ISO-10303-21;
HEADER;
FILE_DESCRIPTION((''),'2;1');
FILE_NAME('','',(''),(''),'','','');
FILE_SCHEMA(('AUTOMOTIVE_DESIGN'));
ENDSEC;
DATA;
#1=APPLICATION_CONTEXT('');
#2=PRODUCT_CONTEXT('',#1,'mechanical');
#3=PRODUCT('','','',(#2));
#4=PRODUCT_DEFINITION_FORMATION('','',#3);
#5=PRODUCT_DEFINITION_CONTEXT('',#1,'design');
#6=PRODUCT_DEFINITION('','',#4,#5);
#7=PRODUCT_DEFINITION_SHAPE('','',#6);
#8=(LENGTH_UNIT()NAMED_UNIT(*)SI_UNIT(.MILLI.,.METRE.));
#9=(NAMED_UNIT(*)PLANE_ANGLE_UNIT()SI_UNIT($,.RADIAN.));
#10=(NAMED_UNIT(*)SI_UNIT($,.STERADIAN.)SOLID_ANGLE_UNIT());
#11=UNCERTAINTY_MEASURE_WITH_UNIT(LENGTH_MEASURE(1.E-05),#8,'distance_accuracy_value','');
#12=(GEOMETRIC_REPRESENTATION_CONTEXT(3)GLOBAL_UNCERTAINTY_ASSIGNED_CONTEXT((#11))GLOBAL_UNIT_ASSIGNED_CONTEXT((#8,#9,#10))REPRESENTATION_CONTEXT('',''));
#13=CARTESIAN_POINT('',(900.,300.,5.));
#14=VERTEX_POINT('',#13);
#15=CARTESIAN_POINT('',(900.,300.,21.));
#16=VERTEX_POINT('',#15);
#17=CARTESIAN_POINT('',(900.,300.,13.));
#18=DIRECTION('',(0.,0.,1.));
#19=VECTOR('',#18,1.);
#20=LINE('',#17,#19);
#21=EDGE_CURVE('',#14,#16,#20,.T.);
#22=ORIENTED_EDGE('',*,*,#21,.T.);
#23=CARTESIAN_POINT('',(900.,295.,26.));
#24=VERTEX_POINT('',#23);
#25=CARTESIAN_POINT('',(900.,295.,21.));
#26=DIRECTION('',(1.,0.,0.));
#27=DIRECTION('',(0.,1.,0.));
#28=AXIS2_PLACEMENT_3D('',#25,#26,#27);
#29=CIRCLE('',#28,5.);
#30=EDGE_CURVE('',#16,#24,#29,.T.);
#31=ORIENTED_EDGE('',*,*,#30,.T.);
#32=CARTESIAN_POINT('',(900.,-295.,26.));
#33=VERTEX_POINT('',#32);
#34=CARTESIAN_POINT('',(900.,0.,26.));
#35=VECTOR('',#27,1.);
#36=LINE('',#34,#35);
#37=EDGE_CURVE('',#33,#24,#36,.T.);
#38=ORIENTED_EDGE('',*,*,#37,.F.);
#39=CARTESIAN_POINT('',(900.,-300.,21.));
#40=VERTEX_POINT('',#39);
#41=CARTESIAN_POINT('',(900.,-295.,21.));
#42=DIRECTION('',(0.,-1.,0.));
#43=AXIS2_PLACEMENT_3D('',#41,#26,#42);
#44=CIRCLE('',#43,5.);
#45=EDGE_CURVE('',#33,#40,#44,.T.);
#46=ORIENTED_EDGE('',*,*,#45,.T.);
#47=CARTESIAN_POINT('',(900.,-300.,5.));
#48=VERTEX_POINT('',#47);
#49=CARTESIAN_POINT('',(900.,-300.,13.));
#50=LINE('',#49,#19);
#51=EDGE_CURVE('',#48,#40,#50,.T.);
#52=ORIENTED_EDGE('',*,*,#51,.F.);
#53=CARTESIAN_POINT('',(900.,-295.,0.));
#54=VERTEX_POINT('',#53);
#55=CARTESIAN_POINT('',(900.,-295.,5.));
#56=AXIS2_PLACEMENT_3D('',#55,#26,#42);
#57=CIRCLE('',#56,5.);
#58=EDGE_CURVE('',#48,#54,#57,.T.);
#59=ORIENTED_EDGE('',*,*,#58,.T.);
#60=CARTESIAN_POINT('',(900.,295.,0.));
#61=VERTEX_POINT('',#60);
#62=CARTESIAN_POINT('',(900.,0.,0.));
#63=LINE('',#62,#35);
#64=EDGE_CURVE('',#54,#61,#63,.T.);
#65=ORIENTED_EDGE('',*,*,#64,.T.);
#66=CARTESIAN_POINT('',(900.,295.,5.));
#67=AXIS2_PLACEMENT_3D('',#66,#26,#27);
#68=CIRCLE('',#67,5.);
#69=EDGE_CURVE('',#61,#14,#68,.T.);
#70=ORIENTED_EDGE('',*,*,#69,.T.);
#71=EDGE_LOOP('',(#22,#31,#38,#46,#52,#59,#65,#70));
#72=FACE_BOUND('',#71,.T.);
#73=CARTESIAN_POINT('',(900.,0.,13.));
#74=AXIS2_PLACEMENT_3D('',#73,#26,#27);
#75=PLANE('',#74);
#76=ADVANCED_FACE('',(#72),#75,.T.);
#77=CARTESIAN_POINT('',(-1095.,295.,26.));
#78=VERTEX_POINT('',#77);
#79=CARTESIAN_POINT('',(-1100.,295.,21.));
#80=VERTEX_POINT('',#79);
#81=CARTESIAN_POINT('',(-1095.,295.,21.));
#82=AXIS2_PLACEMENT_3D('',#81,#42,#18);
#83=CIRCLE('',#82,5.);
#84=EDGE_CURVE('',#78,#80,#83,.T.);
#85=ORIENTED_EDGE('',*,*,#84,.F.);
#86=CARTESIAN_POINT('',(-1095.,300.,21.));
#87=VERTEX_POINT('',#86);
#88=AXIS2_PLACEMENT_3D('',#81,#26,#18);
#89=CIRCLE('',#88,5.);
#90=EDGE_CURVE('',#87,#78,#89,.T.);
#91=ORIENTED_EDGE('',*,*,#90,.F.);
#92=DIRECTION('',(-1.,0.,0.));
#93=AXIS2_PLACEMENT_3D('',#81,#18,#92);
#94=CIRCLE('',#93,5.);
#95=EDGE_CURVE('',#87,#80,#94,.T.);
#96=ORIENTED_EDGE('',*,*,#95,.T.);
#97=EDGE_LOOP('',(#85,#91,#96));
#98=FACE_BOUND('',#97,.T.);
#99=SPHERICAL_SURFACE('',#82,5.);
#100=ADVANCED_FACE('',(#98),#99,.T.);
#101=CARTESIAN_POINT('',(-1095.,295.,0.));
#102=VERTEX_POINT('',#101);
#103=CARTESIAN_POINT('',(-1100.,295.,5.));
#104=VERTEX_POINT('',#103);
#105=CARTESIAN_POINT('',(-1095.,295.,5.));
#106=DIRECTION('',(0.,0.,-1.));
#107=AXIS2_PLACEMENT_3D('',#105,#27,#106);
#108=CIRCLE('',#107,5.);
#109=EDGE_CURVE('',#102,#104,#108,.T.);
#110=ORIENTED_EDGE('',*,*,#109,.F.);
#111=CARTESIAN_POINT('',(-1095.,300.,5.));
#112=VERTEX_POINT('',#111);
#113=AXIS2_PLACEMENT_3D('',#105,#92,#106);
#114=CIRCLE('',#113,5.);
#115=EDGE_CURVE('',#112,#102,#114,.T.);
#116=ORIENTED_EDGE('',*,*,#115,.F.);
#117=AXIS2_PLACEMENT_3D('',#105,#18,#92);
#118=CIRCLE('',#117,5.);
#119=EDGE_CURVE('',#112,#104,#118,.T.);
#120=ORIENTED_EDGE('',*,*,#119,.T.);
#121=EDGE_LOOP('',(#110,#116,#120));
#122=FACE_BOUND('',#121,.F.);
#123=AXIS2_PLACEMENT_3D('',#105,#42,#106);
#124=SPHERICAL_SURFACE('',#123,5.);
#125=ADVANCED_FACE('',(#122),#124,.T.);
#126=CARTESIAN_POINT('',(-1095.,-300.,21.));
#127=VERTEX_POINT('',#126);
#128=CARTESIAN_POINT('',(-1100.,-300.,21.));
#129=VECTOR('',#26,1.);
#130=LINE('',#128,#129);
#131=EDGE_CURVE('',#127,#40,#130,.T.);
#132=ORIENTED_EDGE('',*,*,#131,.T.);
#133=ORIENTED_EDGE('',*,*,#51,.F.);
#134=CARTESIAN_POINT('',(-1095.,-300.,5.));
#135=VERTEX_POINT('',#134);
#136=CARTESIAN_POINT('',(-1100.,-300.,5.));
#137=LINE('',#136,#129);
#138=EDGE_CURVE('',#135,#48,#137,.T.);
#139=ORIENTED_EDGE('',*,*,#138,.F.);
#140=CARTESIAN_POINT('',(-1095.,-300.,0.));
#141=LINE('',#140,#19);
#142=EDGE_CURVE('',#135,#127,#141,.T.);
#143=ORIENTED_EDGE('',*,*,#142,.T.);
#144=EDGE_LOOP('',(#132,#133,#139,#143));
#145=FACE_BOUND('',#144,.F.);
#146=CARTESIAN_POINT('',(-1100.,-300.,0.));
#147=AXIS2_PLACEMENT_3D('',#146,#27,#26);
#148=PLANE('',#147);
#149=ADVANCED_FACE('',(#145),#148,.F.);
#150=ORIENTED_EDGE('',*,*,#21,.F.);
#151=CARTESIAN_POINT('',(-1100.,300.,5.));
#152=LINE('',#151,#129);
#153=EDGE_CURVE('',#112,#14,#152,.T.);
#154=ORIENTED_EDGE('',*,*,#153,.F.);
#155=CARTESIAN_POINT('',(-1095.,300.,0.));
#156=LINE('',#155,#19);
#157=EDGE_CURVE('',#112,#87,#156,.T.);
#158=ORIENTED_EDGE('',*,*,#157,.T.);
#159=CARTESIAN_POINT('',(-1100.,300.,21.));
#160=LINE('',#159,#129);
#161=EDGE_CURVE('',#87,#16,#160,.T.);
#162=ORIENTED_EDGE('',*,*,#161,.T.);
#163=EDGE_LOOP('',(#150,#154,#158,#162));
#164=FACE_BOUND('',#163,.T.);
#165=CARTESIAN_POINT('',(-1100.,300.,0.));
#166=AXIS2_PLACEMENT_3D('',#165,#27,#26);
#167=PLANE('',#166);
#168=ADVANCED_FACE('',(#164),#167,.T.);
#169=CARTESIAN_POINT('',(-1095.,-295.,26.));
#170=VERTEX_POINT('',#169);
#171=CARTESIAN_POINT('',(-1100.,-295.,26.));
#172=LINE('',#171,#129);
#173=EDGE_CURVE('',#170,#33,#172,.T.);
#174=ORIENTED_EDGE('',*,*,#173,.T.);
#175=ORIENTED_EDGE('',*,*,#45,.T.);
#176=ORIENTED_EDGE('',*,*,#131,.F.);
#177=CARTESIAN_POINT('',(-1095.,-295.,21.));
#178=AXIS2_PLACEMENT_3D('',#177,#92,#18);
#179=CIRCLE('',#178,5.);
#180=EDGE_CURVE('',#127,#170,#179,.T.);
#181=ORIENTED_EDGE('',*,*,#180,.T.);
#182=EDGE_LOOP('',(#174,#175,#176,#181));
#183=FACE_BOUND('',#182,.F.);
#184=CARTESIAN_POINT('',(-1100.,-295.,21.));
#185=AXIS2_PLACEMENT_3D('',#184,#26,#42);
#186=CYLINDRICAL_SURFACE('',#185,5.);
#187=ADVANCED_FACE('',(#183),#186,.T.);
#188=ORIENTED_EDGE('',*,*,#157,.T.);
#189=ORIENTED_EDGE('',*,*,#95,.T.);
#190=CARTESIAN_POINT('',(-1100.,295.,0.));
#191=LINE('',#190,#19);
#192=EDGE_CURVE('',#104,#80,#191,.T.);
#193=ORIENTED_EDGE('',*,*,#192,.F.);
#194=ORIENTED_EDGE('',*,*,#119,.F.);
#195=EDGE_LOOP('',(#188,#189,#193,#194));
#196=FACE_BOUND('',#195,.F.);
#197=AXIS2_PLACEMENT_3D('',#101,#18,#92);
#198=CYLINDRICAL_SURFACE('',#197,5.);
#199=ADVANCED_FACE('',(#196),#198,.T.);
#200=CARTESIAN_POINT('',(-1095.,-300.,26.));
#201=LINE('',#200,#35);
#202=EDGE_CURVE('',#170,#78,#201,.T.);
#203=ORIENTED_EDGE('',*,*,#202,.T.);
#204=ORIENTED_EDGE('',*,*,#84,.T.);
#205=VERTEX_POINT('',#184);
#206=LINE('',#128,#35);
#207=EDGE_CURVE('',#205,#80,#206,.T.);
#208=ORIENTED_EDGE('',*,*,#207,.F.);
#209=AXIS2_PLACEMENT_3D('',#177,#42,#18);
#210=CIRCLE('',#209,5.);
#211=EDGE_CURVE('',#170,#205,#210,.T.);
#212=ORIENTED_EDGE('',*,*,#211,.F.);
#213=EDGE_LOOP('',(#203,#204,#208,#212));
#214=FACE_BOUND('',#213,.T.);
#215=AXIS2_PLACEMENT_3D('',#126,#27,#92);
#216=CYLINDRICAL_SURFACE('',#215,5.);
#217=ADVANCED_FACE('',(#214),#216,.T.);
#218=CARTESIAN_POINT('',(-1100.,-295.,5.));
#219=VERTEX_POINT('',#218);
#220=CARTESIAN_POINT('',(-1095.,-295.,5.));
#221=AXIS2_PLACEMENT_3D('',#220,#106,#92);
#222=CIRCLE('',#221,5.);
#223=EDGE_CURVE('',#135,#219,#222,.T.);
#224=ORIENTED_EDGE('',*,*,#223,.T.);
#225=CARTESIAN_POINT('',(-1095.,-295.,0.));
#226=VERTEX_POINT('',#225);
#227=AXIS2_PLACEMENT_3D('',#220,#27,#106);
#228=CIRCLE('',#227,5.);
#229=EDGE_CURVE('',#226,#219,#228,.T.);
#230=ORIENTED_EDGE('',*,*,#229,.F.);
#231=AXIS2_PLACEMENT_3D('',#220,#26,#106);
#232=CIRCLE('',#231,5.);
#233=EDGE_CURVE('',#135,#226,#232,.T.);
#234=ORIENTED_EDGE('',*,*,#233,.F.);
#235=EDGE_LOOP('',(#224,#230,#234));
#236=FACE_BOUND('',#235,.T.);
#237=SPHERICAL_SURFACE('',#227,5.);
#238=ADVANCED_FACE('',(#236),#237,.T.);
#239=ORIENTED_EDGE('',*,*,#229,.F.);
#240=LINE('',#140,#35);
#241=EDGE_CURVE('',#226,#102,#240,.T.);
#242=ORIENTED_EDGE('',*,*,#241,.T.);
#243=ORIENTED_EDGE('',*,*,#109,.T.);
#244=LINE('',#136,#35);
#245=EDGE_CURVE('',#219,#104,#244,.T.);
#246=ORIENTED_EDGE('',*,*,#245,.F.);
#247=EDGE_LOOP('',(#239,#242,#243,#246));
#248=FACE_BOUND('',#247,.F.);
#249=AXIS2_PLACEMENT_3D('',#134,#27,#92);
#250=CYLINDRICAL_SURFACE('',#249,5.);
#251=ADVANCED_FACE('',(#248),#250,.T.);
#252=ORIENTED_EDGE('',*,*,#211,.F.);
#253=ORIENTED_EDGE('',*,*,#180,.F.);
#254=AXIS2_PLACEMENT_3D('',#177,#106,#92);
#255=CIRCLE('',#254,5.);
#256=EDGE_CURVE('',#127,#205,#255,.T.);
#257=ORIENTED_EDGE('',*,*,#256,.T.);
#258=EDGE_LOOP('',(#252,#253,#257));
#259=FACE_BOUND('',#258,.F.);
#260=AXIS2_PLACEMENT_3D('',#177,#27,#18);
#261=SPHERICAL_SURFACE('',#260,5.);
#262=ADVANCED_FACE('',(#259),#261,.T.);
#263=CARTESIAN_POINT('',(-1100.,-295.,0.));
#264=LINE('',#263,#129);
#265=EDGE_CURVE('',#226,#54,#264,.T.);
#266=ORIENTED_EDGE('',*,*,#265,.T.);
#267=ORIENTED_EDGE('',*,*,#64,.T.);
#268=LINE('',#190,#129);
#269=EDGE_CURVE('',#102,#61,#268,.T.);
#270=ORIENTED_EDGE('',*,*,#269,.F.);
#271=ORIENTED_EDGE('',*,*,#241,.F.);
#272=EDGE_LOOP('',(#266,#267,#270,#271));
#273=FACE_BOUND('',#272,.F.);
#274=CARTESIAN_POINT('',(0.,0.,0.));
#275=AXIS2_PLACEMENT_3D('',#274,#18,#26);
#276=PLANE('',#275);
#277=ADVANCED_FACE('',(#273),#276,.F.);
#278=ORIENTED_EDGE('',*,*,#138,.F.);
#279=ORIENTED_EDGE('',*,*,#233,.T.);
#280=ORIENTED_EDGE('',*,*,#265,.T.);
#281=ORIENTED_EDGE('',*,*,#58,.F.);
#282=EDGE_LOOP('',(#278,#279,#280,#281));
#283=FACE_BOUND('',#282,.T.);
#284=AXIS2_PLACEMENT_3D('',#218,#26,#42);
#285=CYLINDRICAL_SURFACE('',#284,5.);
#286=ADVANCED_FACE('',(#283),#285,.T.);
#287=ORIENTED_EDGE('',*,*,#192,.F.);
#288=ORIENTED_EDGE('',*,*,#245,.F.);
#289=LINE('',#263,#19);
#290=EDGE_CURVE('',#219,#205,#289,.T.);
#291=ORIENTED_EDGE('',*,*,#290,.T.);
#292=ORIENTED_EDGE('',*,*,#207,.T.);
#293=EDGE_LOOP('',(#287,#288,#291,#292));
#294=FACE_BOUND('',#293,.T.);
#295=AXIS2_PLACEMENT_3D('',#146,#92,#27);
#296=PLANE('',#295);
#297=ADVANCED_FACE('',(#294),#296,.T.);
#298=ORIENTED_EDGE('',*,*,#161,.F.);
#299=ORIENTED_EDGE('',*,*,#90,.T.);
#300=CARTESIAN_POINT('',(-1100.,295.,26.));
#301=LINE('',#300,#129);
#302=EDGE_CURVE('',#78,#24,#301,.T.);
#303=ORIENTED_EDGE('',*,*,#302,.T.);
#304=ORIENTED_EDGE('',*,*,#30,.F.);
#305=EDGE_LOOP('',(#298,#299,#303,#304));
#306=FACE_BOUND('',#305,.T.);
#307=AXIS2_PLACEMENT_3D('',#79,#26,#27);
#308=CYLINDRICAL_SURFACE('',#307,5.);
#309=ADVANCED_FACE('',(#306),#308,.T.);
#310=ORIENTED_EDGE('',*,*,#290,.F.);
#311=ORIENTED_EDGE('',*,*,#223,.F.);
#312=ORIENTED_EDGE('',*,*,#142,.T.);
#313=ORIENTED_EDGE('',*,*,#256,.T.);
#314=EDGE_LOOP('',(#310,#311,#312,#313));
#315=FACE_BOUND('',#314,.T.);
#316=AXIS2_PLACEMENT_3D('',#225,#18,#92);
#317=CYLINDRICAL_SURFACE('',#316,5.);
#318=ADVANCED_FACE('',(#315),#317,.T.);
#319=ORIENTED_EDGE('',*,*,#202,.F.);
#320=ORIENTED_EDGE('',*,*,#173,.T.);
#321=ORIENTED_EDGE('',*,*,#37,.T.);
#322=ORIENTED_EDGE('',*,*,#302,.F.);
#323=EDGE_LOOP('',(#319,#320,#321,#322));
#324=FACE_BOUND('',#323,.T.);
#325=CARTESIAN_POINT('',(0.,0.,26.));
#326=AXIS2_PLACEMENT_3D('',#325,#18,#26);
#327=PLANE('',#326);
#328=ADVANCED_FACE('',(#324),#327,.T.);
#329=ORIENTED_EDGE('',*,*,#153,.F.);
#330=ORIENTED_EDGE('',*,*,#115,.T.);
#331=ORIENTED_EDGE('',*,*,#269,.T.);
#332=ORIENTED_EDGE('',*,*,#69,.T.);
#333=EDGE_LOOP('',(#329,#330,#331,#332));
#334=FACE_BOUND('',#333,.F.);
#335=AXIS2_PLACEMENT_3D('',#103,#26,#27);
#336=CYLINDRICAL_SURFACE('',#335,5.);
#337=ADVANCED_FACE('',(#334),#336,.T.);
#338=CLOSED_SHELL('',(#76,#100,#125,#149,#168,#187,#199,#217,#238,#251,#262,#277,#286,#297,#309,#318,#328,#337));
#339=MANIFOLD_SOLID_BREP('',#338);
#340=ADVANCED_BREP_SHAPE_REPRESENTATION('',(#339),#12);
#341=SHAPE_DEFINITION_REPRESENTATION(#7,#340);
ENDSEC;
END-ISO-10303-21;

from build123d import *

# Parameters (mm, degrees)
F0_W     = 2200
F0_H     = 600
F1_DEPTH = 26
F2_R     = 5
F3_W     = 600
F3_H     = 26
F4_DEPTH = 200


with BuildPart() as f1:
    # F0 (on Top) → F1 (new body)
    with BuildSketch(Plane.XY):
        Rectangle(F0_W, F0_H)
    extrude(amount=F1_DEPTH)

    # F2
    f2_edges = [f1.edges().sort_by_distance(p)[0] for p in [
        (-1100, 0, 26),
        (0, -300, 26),
        (1100, 0, 26),
        (0, 300, 26),
        (-1100, 0, 0),
        (0, -300, 0),
        (1100, 0, 0),
        (0, 300, 0),
        (-1100, -300, 13),
        (-1100, 300, 13),
        (1100, 300, 13),
        (1100, -300, 13),
    ]]
    fillet(f2_edges, radius=F2_R)

    # F3 (on face) → F4 (cut)
    with BuildSketch(Plane.YZ.offset(1100)):
        with Locations((0, 13)):
            Rectangle(F3_W, F3_H)
    extrude(amount=-F4_DEPTH, mode=Mode.SUBTRACT)


solid = f1.part
